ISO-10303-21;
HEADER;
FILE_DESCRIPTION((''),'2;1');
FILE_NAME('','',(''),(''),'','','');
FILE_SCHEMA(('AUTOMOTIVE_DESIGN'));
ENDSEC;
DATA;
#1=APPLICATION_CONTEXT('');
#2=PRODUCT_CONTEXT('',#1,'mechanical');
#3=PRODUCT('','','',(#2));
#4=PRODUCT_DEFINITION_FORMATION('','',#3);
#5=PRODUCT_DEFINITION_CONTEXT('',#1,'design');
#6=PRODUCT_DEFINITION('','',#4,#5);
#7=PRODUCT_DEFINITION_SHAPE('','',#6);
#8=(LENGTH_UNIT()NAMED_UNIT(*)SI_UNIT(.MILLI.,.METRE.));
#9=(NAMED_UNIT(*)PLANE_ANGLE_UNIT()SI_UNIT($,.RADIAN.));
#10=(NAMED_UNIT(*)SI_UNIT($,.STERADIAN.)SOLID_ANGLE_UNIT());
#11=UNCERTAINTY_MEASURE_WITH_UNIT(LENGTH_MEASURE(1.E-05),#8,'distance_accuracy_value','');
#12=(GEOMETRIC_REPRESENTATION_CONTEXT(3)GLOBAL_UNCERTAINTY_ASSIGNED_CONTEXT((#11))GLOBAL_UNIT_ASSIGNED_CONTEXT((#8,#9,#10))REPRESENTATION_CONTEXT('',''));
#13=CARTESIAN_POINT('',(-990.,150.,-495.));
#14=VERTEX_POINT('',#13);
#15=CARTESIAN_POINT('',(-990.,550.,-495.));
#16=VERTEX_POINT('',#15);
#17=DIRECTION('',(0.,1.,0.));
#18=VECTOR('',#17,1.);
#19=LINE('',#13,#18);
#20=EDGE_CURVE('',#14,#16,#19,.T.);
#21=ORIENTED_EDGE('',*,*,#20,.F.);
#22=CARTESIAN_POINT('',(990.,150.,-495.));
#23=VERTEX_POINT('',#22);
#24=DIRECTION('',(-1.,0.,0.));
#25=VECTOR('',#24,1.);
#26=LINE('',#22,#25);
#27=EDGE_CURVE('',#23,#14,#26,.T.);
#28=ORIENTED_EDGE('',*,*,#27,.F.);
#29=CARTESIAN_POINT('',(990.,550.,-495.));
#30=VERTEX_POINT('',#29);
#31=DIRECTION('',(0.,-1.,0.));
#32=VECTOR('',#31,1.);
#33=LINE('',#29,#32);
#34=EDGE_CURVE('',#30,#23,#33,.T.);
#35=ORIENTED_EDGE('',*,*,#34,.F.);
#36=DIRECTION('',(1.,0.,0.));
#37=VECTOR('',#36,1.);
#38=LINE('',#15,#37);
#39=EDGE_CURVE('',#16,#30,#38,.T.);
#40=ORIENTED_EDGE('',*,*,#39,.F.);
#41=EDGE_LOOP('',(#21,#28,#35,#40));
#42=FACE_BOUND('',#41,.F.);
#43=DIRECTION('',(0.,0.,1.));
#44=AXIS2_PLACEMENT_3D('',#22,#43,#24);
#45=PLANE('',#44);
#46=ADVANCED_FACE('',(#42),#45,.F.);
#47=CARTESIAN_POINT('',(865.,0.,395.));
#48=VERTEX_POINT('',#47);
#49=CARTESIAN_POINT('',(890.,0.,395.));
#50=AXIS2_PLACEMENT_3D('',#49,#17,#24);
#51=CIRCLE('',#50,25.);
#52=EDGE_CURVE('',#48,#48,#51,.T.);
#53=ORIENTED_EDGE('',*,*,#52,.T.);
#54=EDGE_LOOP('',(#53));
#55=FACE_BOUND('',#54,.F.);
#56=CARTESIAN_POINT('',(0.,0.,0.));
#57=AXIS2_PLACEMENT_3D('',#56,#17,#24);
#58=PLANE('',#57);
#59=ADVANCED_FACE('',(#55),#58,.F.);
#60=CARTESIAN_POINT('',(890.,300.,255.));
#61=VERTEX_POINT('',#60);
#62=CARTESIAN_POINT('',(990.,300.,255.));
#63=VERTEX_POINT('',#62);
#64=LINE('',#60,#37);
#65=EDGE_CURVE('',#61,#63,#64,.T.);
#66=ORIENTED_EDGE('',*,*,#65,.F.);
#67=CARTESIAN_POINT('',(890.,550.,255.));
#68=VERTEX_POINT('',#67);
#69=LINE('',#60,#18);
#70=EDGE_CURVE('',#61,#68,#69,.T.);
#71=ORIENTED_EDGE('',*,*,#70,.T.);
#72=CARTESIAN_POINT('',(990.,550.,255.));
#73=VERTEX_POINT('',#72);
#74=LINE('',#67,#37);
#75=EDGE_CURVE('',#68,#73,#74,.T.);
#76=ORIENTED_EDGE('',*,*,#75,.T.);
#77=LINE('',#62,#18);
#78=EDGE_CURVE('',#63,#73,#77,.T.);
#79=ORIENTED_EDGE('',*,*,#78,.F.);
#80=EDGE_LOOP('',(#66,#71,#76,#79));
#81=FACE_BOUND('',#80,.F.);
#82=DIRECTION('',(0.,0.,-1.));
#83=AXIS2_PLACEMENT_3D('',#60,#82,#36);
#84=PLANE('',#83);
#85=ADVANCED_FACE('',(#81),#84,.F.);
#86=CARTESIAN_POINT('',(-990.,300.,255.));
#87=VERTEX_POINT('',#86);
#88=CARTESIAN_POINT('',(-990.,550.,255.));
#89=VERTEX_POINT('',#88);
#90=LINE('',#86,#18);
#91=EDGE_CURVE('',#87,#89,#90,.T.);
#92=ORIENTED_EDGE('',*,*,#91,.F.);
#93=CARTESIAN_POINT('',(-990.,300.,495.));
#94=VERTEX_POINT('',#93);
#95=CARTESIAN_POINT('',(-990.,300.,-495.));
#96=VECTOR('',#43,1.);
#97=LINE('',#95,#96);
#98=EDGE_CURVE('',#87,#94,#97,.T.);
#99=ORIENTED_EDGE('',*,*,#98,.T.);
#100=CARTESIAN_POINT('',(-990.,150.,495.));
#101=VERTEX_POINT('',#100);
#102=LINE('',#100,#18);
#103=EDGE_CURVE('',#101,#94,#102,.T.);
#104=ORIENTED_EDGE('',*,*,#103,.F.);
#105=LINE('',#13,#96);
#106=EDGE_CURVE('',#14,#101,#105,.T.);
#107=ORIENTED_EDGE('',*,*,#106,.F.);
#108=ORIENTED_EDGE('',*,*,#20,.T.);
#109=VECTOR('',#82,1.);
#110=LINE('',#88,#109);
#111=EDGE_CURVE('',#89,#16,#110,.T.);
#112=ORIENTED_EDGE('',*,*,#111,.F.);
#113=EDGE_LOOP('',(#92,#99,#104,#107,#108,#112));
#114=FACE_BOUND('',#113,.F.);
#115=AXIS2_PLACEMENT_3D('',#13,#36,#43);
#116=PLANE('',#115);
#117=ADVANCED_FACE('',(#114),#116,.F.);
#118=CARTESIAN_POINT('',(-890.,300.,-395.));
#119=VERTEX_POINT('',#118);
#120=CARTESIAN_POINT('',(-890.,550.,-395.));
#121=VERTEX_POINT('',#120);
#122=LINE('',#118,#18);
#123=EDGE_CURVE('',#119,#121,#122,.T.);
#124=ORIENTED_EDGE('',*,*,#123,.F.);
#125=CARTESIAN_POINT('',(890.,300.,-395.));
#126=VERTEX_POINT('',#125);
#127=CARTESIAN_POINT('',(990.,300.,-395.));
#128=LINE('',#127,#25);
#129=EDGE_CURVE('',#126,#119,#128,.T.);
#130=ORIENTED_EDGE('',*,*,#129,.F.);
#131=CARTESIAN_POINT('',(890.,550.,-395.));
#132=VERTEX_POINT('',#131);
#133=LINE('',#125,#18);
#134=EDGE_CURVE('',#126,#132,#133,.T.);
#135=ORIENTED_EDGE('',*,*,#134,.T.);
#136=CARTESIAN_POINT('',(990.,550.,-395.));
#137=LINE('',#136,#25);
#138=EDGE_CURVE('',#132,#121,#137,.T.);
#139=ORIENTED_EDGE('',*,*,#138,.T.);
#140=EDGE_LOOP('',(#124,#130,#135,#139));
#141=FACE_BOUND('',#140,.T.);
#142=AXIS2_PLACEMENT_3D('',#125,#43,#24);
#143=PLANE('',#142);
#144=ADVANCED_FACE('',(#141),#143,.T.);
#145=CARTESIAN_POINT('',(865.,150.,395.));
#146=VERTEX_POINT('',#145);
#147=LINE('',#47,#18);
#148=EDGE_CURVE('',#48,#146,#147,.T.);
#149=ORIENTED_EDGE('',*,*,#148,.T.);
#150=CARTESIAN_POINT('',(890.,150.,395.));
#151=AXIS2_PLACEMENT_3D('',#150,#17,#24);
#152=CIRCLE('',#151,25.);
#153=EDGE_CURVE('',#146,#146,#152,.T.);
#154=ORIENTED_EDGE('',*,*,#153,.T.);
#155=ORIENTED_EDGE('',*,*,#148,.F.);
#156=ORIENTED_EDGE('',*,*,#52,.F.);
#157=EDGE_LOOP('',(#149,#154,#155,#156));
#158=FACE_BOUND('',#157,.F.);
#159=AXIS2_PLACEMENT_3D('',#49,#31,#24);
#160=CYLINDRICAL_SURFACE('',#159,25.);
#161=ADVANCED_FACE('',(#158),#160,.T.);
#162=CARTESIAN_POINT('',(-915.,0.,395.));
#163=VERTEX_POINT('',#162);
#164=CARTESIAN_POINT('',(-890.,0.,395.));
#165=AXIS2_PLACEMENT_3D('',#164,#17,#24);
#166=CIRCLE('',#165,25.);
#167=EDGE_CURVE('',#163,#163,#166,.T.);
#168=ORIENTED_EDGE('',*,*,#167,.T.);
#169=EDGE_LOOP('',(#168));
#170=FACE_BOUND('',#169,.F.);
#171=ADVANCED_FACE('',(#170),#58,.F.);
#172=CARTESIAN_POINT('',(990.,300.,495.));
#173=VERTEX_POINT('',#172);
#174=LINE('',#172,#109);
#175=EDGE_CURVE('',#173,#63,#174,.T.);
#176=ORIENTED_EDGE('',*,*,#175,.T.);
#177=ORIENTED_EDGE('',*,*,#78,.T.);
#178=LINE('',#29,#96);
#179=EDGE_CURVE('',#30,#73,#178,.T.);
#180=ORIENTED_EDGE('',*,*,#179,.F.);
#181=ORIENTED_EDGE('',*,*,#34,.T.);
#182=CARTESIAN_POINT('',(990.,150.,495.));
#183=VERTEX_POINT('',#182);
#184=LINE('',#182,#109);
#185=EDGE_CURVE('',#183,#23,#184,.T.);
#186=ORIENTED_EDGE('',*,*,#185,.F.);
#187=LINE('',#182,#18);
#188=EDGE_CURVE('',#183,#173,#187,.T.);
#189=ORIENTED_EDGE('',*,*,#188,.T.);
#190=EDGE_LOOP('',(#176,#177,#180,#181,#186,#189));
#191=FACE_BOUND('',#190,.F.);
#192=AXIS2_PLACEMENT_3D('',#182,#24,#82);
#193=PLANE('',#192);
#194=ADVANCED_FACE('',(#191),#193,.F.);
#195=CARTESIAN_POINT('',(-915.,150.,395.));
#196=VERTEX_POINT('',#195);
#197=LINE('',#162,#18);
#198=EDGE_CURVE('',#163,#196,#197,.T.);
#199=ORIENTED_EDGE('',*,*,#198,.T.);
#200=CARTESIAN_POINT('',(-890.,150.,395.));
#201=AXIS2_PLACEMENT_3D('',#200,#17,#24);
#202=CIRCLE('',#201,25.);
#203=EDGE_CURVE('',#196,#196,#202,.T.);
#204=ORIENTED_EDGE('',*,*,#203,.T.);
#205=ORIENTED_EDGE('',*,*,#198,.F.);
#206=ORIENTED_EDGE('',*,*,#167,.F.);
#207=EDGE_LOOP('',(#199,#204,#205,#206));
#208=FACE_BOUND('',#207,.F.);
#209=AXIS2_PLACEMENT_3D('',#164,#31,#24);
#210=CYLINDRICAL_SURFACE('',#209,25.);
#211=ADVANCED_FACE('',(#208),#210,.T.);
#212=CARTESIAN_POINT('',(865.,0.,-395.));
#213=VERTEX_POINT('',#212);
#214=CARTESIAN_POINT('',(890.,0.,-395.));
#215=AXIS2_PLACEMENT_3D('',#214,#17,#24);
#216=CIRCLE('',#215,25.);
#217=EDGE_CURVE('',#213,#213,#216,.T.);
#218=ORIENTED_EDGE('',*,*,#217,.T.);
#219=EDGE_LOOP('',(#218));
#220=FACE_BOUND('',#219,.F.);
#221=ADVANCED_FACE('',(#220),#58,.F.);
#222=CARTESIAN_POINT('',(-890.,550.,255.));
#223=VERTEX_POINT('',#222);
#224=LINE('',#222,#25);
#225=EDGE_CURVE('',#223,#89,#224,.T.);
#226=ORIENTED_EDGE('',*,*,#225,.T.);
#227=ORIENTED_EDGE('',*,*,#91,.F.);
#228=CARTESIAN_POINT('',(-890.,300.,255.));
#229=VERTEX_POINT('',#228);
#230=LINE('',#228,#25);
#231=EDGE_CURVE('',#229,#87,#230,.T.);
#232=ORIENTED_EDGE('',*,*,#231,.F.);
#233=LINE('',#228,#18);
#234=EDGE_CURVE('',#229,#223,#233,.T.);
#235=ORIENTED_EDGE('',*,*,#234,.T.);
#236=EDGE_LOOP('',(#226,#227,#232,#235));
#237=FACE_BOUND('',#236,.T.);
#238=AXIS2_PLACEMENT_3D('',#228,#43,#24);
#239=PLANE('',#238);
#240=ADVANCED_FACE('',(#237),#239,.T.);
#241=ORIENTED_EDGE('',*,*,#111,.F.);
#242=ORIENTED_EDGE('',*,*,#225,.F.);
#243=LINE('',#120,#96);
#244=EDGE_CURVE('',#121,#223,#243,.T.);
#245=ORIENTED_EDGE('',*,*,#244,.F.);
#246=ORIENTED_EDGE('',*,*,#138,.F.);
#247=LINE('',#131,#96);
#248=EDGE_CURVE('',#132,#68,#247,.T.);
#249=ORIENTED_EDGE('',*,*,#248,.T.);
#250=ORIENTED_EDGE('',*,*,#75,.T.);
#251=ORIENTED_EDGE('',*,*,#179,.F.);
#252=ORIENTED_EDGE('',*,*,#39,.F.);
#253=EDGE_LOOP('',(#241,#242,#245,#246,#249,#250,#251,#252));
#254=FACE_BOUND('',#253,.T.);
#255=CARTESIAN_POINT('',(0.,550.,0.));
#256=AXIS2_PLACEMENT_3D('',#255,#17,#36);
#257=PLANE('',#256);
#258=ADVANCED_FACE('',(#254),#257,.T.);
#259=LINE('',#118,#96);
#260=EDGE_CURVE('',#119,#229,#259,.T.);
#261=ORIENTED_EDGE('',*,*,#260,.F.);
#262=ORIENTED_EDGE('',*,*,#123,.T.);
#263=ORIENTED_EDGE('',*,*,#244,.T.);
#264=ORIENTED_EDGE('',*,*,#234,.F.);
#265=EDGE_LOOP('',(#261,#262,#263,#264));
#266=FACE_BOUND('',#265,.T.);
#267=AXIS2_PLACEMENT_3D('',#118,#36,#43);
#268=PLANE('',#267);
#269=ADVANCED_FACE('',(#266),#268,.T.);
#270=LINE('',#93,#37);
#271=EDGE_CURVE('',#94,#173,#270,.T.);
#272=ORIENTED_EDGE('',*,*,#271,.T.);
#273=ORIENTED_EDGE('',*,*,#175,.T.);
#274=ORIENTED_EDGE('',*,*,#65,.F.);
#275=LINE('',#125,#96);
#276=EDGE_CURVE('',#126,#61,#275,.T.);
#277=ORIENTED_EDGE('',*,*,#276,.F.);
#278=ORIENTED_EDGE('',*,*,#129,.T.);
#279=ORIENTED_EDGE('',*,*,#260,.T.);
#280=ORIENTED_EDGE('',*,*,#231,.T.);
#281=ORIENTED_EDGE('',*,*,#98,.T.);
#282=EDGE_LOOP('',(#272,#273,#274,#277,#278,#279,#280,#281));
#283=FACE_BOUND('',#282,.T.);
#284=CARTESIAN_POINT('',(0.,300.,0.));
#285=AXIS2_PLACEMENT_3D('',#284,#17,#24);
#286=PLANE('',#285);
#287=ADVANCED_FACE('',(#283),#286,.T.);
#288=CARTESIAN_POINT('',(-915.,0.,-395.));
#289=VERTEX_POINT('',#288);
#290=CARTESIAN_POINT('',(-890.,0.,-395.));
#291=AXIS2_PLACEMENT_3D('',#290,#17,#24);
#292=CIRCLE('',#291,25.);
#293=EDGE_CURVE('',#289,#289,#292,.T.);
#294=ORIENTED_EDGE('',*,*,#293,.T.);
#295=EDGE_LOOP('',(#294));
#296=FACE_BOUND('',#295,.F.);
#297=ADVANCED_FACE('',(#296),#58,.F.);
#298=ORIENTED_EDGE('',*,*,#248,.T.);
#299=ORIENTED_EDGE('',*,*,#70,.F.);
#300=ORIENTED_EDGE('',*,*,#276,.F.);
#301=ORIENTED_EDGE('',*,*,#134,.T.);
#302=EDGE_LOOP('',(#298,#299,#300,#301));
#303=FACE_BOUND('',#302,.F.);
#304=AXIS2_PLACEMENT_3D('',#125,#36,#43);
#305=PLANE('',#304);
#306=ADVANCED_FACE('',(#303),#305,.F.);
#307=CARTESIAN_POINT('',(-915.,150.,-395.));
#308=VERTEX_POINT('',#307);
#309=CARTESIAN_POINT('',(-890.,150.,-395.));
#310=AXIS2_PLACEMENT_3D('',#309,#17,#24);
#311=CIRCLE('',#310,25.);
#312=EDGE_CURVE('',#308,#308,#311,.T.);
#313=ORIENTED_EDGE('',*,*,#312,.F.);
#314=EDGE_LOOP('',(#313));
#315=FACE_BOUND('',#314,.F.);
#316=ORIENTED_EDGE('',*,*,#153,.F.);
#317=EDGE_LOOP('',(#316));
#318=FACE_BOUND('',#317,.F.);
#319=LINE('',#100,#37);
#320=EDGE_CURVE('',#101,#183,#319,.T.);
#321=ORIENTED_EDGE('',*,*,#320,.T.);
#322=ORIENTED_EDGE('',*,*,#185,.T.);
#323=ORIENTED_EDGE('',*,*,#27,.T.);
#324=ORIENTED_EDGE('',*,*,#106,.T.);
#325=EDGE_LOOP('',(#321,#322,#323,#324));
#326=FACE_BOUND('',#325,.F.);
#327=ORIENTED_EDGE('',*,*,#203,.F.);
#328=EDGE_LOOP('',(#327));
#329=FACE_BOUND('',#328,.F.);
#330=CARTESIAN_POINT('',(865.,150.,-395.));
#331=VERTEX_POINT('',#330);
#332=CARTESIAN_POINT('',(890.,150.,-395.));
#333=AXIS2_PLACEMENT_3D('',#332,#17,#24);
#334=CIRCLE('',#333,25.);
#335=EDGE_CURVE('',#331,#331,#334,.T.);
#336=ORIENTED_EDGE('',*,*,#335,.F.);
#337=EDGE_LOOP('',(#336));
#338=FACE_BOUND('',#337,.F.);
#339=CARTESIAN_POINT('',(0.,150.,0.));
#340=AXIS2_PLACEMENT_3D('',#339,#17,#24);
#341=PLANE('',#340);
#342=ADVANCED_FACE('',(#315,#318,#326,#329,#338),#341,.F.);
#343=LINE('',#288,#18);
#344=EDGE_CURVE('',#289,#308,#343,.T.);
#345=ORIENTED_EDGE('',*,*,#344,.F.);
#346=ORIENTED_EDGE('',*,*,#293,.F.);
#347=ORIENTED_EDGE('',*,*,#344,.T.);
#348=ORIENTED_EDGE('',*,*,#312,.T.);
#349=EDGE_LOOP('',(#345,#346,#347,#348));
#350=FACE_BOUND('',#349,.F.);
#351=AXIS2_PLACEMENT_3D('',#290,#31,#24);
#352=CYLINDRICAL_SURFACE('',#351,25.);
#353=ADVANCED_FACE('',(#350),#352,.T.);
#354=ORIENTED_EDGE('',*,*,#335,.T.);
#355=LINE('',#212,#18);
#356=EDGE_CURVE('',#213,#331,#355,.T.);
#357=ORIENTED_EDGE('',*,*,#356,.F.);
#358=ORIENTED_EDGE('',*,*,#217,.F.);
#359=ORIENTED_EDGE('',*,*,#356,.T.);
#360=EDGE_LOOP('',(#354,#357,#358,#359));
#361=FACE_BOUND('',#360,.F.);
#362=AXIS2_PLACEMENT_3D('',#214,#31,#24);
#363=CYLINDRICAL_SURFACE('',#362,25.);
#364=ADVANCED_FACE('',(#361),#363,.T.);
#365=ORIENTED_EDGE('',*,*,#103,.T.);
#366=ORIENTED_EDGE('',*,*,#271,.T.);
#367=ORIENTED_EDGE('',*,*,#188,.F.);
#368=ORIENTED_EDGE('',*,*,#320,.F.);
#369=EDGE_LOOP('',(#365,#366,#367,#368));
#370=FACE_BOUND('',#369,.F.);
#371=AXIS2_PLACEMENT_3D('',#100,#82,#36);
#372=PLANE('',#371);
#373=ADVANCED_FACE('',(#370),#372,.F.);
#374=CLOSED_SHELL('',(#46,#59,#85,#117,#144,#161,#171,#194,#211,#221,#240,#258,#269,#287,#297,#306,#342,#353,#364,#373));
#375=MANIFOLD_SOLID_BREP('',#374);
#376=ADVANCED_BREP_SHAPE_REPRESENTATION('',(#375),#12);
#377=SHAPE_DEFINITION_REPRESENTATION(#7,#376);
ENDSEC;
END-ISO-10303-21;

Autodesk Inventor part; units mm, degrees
ref_plane "YZ Plane" through (0, 0, 0) normal (1, 0, 0) x (0, 1, 0)
ref_plane "XZ Plane" through (0, 0, 0) normal (0, 1, 0) x (-1, 0, 0)
ref_plane "XY Plane" through (0, 0, 0) normal (0, 0, 1) x (1, 0, 0)
sketch "Sketch1" plane through (0, 0, 0) normal (0, 1, 0) x (-1, 0, 0)
  line L0 (990, 495) -> (-990, 495) construction
  line L1 (-990, 495) -> (-990, -495) construction
  line L2 (-990, -495) -> (990, -495) construction
  line L3 (990, -495) -> (990, 495) construction
  line L4 (990, 495) -> (-990, -495) construction
  line L5 (-990, 495) -> (990, -495) construction
  line L6 (890, -395) -> (-890, -395) construction
  line L7 (-890, -395) -> (-890, 395) construction
  line L8 (-890, 395) -> (890, 395) construction
  line L9 (890, 395) -> (890, -395) construction
  circle A0 centre (890, -395) radius 25
  circle A1 centre (-890, -395) radius 25
  circle A2 centre (890, 395) radius 25
  circle A3 centre (-890, 395) radius 25
  point P0 (0, 0)
  dimension "d0" = 1980
  dimension "d1" = 990
  dimension "d2" = 100
  dimension "d3" = 50
extrude "Extrusion1" add sketch "Sketch1" along normal blind 150
sketch "Sketch2" plane through (0, 150, 0) normal (0, 1, 0) x (-1, 0, 0)
  line L0 (990, -495) -> (990, 495) projected
  line L1 (-990, -495) -> (990, -495) projected
  line L2 (-990, 495) -> (-990, -495) projected
  line L3 (990, 495) -> (-990, 495) projected
  point P0 (0, 0)
extrude "Extrusion2" add sketch "Sketch2" along normal blind 150
sketch "Sketch3" plane through (0, 300, 0) normal (0, 1, 0) x (1, 0, 0)
  line L0 (-990, 495) -> (990, 495)
  line L1 (990, 495) -> (990, 395)
  line L2 (990, 395) -> (-990, 395)
  line L3 (-990, 395) -> (-990, 495)
  line L4 (990, 395) -> (890, 395)
  line L5 (890, 395) -> (890, -255)
  line L6 (890, -255) -> (990, -255)
  line L7 (990, -255) -> (990, 395)
  line L8 (-990, 395) -> (-890, 395)
  line L9 (-890, 395) -> (-890, -255)
  line L10 (-890, -255) -> (-990, -255)
  line L11 (-990, -255) -> (-990, 395)
  line L12 (990, -495) -> (990, 495) projected
  point P0 (0, 0)
  dimension "d8" = 100
  dimension "d10" = 650
extrude "Extrusion3" add sketch "Sketch3" along normal blind 250
properties part number "Divano"
